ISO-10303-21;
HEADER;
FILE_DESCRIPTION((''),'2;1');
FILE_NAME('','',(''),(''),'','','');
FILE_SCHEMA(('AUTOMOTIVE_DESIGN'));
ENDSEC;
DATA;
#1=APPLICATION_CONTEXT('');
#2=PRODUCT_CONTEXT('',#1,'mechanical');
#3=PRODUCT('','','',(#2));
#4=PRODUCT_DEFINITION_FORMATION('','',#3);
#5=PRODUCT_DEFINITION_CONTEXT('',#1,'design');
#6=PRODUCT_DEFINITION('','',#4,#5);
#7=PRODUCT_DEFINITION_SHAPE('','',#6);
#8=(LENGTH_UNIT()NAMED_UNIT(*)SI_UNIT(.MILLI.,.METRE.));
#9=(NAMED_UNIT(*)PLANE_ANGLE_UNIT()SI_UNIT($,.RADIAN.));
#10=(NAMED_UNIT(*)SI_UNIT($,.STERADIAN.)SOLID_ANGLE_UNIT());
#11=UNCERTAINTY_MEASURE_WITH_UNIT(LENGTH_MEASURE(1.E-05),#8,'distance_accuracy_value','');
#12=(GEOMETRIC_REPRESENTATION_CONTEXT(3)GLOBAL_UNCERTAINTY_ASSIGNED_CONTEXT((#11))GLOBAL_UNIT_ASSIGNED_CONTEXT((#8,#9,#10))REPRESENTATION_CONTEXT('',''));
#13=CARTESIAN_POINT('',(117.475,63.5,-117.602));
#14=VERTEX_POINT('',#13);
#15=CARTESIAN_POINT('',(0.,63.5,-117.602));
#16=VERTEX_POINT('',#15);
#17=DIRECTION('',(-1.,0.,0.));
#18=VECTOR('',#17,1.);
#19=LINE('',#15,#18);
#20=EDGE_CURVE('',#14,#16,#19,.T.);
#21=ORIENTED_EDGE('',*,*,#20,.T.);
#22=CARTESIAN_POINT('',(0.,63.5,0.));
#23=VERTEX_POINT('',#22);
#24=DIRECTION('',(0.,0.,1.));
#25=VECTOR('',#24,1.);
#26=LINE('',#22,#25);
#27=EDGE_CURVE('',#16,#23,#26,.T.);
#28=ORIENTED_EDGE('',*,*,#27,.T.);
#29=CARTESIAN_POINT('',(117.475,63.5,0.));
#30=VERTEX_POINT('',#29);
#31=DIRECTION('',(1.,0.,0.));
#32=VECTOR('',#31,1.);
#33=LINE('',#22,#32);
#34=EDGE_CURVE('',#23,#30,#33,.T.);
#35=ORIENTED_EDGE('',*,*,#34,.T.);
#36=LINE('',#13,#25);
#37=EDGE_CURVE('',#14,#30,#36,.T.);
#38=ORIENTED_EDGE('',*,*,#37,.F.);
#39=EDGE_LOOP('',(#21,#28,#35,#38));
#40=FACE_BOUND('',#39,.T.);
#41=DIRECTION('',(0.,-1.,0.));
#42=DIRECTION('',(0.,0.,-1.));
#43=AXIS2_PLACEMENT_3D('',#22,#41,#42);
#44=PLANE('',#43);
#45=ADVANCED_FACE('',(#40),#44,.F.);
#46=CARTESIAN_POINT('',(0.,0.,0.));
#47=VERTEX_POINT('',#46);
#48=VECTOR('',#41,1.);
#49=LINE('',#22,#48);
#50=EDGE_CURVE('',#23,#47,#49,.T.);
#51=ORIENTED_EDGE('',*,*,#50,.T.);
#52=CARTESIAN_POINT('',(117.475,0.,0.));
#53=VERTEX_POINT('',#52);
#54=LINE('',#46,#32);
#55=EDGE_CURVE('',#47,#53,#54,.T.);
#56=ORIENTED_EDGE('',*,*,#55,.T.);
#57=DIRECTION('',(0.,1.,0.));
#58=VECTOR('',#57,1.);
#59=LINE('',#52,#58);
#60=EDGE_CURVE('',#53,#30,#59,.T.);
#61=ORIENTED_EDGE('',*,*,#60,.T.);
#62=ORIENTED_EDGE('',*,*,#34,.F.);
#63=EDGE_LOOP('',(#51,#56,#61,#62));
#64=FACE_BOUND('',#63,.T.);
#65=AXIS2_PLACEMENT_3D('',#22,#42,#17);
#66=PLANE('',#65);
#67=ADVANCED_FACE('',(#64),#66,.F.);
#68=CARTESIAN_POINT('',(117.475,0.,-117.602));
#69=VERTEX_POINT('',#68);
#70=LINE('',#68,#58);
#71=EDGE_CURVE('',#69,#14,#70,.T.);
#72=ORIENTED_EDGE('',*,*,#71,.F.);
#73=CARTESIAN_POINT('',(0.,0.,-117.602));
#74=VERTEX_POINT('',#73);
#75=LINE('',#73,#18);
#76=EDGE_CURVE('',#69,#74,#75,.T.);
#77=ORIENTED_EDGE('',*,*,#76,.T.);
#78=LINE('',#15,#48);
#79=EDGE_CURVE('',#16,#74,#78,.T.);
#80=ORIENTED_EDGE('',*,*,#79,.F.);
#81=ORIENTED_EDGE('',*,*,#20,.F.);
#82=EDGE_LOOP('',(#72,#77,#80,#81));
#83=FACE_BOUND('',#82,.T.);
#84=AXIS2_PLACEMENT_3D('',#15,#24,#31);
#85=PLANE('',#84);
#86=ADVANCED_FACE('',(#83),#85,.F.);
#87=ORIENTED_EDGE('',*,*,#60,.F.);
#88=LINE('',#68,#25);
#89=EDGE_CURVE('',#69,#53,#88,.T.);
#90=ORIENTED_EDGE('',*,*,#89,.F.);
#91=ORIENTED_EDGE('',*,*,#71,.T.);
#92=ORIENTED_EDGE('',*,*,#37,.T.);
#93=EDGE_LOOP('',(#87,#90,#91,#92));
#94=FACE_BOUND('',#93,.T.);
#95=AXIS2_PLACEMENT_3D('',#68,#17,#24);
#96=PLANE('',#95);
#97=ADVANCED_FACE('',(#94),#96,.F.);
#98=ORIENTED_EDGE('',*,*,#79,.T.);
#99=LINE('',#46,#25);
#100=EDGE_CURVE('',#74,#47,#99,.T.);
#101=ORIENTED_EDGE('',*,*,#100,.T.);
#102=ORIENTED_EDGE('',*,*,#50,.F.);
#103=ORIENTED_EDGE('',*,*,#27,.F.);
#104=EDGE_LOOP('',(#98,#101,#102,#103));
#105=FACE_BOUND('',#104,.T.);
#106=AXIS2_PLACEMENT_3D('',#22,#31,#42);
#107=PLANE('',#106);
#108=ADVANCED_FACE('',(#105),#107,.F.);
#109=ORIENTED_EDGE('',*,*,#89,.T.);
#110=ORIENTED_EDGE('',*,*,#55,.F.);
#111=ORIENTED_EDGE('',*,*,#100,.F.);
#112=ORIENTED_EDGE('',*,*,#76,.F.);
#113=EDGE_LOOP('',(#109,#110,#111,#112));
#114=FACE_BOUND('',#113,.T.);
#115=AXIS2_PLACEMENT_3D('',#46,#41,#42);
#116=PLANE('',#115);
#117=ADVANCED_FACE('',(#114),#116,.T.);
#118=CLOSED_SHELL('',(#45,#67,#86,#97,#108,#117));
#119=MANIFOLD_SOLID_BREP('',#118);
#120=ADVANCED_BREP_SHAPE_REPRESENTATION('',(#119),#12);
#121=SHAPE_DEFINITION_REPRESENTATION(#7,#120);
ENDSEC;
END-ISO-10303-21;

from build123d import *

# Parameters (mm, degrees)
SKETCH1_W           = 241.3
SKETCH1_H           = 117.602
BOSS_EXTRUDE1_DEPTH = 63.5
SKETCH2_W           = 123.825
SKETCH2_H           = 117.602
CUT_EXTRUDE1_DEPTH  = 276.840842523


with BuildPart() as part:
    # Sketch1 → Boss-Extrude1 (new body)
    with BuildSketch(Plane(origin=(0, 0, 0), x_dir=(1, 0, 0), z_dir=(0, 1, 0))):
        with Locations((120.65, 58.801)):
            Rectangle(SKETCH1_W, SKETCH1_H)
    extrude(amount=BOSS_EXTRUDE1_DEPTH)

    # Sketch2 → Cut-Extrude1 (cut, through all)
    with BuildSketch(Plane(origin=(0, 63.5, 0), x_dir=(1, 0, 0), z_dir=(0, 1, 0))):
        with Locations((179.3875, 58.801)):
            Rectangle(SKETCH2_W, SKETCH2_H)
    extrude(amount=-CUT_EXTRUDE1_DEPTH, mode=Mode.SUBTRACT)


solid = part.part
